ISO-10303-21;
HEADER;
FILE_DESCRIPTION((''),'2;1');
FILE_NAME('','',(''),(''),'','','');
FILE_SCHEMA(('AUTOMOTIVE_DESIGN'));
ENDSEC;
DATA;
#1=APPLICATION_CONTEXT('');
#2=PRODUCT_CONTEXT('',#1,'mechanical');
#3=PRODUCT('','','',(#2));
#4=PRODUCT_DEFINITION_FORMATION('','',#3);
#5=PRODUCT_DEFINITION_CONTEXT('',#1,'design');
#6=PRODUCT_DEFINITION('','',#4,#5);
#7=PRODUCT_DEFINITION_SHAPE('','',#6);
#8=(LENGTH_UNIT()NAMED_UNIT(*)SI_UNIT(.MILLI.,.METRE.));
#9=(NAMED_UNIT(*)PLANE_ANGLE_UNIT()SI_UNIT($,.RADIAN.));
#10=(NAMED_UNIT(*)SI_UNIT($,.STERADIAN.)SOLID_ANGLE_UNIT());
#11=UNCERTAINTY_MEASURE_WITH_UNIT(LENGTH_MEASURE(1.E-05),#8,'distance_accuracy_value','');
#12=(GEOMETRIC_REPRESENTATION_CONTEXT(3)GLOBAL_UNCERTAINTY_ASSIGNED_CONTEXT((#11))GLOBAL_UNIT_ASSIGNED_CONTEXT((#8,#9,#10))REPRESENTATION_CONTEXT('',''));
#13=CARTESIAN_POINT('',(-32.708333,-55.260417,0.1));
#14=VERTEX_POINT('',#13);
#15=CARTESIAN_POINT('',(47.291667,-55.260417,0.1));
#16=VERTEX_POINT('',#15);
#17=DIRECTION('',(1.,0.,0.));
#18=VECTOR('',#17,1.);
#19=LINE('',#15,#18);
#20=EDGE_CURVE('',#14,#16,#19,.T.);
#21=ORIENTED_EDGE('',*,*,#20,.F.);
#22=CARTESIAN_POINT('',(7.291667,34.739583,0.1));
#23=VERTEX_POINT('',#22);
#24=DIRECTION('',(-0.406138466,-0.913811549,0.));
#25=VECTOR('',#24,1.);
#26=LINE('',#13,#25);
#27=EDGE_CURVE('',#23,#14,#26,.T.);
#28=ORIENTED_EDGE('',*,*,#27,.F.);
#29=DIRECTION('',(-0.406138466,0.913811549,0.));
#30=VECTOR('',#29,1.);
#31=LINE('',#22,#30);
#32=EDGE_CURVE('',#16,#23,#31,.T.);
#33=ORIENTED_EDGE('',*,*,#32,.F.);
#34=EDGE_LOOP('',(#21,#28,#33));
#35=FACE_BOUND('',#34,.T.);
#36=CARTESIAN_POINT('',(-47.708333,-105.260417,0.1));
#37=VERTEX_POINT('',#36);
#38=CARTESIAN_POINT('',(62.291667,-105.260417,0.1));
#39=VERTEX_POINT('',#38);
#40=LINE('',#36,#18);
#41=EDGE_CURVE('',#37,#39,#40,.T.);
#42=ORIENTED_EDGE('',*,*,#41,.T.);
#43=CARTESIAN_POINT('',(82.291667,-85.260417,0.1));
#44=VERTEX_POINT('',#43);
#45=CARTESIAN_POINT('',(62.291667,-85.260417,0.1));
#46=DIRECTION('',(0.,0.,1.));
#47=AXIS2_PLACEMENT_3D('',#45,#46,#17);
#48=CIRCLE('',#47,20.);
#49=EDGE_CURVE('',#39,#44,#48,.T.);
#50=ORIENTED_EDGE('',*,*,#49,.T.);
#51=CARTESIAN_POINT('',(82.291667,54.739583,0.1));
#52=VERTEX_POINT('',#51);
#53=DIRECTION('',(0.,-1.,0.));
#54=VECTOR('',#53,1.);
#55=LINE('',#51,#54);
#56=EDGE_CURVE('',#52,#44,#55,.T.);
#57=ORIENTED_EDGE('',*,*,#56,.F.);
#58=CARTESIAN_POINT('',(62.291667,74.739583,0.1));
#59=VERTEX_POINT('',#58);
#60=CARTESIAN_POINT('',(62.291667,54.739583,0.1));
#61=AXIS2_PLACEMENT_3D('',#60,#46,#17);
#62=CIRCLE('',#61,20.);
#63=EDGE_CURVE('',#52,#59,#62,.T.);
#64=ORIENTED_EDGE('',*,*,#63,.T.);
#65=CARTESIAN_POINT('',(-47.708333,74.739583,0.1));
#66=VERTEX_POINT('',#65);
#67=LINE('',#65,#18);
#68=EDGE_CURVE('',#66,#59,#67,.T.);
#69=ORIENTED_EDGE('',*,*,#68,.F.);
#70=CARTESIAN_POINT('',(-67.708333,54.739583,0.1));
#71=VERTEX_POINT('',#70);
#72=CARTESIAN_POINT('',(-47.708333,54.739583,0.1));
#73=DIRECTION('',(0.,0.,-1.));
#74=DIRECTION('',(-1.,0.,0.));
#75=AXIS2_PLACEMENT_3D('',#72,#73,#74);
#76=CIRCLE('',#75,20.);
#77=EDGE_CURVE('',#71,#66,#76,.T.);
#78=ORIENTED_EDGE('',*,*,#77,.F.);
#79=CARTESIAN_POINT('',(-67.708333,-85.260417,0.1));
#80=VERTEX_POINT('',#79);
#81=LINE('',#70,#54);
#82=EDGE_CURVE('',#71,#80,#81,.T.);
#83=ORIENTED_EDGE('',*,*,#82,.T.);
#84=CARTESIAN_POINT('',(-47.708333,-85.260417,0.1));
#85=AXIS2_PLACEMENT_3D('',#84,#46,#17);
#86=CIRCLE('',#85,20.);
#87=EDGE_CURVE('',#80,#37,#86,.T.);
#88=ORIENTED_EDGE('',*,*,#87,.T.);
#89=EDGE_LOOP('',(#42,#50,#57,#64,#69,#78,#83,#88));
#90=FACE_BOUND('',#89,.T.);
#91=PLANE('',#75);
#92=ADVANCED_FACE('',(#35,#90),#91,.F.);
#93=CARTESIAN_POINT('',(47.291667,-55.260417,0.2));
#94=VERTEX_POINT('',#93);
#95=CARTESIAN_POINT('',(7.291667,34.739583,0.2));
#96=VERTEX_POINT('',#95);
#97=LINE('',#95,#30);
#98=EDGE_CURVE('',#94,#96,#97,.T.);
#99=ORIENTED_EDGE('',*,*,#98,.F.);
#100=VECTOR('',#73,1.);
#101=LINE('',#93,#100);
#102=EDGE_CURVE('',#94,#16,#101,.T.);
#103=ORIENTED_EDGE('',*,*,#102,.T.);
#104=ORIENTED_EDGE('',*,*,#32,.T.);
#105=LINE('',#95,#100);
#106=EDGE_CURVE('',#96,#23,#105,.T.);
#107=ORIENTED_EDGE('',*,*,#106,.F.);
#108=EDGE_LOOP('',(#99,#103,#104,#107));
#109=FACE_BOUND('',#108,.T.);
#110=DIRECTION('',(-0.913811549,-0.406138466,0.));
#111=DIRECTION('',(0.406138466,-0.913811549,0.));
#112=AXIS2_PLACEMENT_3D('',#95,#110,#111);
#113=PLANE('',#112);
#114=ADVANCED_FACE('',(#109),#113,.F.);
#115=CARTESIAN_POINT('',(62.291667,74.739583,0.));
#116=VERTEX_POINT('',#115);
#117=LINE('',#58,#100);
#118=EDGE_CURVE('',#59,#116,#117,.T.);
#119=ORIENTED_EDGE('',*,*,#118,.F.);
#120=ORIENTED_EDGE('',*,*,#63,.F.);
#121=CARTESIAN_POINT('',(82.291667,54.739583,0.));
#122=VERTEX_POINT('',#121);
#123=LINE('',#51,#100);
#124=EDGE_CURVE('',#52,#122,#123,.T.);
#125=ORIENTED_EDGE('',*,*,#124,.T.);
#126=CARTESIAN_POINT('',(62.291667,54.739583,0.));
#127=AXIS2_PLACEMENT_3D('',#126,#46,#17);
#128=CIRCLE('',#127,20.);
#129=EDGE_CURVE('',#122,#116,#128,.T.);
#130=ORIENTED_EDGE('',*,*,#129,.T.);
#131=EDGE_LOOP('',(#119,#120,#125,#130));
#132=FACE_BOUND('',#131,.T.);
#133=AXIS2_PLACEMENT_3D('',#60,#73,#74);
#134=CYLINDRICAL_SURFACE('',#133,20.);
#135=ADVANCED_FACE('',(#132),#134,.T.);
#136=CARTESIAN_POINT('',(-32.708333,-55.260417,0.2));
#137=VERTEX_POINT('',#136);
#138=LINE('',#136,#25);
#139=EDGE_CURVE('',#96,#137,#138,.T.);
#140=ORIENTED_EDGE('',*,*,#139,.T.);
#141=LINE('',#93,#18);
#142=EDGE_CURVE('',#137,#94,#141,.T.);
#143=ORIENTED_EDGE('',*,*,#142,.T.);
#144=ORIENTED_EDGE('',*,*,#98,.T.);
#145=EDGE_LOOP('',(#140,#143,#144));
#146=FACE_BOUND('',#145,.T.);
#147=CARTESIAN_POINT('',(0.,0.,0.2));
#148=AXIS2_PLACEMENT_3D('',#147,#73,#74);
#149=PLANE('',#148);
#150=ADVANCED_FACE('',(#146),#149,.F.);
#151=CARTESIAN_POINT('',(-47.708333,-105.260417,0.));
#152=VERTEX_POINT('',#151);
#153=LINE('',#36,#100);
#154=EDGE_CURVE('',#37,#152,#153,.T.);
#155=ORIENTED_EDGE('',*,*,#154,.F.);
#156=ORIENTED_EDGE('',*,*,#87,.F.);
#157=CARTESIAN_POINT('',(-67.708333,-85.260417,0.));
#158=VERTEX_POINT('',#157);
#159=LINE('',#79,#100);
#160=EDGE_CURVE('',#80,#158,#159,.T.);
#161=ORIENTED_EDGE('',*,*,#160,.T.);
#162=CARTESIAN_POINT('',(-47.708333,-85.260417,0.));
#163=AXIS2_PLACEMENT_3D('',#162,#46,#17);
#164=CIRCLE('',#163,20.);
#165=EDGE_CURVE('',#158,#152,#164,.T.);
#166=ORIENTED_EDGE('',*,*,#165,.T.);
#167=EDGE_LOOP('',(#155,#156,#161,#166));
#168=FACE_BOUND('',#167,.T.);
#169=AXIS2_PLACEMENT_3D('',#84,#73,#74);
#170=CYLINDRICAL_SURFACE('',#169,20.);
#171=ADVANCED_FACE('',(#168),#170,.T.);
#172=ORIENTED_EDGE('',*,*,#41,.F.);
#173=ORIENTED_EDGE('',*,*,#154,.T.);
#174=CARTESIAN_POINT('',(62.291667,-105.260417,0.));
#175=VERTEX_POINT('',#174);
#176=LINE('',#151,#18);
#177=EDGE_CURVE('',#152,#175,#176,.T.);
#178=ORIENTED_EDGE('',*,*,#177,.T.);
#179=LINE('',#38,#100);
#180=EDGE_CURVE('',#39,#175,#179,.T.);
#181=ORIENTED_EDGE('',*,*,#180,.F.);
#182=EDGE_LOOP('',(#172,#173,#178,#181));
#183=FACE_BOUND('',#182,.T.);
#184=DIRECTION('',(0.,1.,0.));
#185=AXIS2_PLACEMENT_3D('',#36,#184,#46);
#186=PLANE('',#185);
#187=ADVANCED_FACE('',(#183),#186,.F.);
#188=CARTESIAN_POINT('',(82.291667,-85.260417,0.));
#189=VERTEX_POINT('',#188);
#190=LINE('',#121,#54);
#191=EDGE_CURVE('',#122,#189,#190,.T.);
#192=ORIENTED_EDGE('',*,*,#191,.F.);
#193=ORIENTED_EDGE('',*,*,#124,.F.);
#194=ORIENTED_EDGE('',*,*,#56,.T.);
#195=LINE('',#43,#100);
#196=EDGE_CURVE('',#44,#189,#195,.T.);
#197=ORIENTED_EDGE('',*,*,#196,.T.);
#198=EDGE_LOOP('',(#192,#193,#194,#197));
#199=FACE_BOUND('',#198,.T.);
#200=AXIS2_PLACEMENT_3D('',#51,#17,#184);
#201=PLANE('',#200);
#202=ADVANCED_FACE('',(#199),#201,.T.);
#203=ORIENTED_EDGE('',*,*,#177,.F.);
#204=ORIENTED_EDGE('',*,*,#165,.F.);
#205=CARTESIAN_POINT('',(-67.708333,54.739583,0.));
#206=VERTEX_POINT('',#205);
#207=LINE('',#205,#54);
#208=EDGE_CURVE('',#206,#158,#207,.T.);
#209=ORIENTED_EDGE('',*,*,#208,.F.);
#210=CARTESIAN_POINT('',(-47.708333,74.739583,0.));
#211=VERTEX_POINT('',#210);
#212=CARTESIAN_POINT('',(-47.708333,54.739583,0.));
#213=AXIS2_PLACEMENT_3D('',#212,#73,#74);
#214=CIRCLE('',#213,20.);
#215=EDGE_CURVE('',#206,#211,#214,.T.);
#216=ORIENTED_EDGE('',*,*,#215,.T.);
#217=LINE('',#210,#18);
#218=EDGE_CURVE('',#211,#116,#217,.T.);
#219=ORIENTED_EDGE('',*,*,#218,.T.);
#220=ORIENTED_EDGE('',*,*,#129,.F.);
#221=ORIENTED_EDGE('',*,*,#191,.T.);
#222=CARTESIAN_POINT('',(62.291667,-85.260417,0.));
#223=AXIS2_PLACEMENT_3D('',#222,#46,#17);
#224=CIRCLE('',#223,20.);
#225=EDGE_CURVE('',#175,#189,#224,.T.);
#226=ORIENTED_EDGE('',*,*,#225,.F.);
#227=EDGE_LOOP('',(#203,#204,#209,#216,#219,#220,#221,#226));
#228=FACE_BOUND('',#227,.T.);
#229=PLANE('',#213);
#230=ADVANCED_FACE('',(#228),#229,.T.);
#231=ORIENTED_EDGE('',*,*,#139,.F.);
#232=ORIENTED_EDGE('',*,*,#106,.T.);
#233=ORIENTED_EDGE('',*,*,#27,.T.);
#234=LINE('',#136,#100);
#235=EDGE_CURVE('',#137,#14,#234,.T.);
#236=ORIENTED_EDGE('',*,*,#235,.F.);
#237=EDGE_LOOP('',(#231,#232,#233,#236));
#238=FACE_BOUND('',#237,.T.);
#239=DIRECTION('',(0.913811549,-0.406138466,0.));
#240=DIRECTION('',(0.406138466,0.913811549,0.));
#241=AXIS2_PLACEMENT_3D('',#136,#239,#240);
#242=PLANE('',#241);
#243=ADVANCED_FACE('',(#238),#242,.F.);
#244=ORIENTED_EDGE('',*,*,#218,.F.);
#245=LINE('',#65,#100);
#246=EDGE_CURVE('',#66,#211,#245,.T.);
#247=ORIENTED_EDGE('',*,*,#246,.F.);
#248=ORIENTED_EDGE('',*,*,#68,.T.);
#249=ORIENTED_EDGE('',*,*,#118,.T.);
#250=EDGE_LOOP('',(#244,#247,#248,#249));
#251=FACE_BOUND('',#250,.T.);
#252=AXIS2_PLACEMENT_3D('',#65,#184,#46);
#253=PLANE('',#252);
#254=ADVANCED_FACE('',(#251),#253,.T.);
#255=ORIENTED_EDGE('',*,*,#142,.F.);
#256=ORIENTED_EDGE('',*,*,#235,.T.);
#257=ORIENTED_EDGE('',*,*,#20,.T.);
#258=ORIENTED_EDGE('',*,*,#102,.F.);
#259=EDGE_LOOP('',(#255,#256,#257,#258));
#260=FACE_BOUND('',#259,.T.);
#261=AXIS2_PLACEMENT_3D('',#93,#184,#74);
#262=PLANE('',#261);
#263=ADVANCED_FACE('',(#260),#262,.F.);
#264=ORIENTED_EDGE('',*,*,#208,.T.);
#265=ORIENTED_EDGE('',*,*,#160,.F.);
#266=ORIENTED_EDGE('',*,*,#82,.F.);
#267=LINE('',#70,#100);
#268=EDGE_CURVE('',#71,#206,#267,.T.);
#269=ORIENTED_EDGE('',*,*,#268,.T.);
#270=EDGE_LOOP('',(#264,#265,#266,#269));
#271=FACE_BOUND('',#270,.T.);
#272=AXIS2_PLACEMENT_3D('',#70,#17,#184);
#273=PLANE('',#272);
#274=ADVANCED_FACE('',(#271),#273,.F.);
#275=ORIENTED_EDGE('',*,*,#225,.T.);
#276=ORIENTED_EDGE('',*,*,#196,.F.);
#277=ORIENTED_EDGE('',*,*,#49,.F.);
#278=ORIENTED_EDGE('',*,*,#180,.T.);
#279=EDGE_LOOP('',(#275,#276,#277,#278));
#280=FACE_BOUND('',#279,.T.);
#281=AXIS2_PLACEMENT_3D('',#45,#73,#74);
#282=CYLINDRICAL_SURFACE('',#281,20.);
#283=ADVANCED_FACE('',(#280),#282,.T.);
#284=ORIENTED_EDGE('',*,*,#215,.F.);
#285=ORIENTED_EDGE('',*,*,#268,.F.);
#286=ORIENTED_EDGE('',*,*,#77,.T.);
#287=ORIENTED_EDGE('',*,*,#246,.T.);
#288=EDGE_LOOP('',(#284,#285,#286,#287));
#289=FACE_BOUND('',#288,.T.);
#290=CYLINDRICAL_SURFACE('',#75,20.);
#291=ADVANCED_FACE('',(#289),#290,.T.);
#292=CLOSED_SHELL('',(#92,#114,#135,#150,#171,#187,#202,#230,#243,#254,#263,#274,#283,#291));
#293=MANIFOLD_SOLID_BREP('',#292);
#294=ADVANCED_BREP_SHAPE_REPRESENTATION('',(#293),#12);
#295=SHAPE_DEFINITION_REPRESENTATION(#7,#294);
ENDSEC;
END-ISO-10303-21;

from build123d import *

# Parameters (mm, degrees)
SALIENTE_EXTRUIR2_DEPTH = 0.1
SALIENTE_EXTRUIR3_DEPTH = 0.1


with BuildPart() as part:
    # Croquis1 → Saliente-Extruir2 (new body)
    with BuildSketch(Plane.XY):
        with BuildLine():
            Line((-47.708333333, 74.739583333), (62.291666667, 74.739583333))
            ThreePointArc((62.291666667, 74.739583333), (76.43380229, 68.881718957), (82.291666667, 54.739583333))
            Line((82.291666667, 54.739583333), (82.291666667, -85.260416667))
            ThreePointArc((82.291666667, -85.260416667), (76.43380229, -99.40255229), (62.291666667, -105.260416667))
            Line((62.291666667, -105.260416667), (-47.708333333, -105.260416667))
            ThreePointArc((-47.708333333, -105.260416667), (-61.850468957, -99.40255229), (-67.708333333, -85.260416667))
            Line((-67.708333333, -85.260416667), (-67.708333333, 54.739583333))
            ThreePointArc((-67.708333333, 54.739583333), (-61.850468957, 68.881718957), (-47.708333333, 74.739583333))
        make_face()
    extrude(amount=SALIENTE_EXTRUIR2_DEPTH)

    # Croquis2 → Saliente-Extruir3 (add)
    with BuildSketch(Plane.XY.offset(0.1)):
        Polygon((-32.708333333, -55.260416667), (7.291666667, 34.739583333), (47.291666667, -55.260416667), align=None)
    extrude(amount=SALIENTE_EXTRUIR3_DEPTH)


solid = part.part
